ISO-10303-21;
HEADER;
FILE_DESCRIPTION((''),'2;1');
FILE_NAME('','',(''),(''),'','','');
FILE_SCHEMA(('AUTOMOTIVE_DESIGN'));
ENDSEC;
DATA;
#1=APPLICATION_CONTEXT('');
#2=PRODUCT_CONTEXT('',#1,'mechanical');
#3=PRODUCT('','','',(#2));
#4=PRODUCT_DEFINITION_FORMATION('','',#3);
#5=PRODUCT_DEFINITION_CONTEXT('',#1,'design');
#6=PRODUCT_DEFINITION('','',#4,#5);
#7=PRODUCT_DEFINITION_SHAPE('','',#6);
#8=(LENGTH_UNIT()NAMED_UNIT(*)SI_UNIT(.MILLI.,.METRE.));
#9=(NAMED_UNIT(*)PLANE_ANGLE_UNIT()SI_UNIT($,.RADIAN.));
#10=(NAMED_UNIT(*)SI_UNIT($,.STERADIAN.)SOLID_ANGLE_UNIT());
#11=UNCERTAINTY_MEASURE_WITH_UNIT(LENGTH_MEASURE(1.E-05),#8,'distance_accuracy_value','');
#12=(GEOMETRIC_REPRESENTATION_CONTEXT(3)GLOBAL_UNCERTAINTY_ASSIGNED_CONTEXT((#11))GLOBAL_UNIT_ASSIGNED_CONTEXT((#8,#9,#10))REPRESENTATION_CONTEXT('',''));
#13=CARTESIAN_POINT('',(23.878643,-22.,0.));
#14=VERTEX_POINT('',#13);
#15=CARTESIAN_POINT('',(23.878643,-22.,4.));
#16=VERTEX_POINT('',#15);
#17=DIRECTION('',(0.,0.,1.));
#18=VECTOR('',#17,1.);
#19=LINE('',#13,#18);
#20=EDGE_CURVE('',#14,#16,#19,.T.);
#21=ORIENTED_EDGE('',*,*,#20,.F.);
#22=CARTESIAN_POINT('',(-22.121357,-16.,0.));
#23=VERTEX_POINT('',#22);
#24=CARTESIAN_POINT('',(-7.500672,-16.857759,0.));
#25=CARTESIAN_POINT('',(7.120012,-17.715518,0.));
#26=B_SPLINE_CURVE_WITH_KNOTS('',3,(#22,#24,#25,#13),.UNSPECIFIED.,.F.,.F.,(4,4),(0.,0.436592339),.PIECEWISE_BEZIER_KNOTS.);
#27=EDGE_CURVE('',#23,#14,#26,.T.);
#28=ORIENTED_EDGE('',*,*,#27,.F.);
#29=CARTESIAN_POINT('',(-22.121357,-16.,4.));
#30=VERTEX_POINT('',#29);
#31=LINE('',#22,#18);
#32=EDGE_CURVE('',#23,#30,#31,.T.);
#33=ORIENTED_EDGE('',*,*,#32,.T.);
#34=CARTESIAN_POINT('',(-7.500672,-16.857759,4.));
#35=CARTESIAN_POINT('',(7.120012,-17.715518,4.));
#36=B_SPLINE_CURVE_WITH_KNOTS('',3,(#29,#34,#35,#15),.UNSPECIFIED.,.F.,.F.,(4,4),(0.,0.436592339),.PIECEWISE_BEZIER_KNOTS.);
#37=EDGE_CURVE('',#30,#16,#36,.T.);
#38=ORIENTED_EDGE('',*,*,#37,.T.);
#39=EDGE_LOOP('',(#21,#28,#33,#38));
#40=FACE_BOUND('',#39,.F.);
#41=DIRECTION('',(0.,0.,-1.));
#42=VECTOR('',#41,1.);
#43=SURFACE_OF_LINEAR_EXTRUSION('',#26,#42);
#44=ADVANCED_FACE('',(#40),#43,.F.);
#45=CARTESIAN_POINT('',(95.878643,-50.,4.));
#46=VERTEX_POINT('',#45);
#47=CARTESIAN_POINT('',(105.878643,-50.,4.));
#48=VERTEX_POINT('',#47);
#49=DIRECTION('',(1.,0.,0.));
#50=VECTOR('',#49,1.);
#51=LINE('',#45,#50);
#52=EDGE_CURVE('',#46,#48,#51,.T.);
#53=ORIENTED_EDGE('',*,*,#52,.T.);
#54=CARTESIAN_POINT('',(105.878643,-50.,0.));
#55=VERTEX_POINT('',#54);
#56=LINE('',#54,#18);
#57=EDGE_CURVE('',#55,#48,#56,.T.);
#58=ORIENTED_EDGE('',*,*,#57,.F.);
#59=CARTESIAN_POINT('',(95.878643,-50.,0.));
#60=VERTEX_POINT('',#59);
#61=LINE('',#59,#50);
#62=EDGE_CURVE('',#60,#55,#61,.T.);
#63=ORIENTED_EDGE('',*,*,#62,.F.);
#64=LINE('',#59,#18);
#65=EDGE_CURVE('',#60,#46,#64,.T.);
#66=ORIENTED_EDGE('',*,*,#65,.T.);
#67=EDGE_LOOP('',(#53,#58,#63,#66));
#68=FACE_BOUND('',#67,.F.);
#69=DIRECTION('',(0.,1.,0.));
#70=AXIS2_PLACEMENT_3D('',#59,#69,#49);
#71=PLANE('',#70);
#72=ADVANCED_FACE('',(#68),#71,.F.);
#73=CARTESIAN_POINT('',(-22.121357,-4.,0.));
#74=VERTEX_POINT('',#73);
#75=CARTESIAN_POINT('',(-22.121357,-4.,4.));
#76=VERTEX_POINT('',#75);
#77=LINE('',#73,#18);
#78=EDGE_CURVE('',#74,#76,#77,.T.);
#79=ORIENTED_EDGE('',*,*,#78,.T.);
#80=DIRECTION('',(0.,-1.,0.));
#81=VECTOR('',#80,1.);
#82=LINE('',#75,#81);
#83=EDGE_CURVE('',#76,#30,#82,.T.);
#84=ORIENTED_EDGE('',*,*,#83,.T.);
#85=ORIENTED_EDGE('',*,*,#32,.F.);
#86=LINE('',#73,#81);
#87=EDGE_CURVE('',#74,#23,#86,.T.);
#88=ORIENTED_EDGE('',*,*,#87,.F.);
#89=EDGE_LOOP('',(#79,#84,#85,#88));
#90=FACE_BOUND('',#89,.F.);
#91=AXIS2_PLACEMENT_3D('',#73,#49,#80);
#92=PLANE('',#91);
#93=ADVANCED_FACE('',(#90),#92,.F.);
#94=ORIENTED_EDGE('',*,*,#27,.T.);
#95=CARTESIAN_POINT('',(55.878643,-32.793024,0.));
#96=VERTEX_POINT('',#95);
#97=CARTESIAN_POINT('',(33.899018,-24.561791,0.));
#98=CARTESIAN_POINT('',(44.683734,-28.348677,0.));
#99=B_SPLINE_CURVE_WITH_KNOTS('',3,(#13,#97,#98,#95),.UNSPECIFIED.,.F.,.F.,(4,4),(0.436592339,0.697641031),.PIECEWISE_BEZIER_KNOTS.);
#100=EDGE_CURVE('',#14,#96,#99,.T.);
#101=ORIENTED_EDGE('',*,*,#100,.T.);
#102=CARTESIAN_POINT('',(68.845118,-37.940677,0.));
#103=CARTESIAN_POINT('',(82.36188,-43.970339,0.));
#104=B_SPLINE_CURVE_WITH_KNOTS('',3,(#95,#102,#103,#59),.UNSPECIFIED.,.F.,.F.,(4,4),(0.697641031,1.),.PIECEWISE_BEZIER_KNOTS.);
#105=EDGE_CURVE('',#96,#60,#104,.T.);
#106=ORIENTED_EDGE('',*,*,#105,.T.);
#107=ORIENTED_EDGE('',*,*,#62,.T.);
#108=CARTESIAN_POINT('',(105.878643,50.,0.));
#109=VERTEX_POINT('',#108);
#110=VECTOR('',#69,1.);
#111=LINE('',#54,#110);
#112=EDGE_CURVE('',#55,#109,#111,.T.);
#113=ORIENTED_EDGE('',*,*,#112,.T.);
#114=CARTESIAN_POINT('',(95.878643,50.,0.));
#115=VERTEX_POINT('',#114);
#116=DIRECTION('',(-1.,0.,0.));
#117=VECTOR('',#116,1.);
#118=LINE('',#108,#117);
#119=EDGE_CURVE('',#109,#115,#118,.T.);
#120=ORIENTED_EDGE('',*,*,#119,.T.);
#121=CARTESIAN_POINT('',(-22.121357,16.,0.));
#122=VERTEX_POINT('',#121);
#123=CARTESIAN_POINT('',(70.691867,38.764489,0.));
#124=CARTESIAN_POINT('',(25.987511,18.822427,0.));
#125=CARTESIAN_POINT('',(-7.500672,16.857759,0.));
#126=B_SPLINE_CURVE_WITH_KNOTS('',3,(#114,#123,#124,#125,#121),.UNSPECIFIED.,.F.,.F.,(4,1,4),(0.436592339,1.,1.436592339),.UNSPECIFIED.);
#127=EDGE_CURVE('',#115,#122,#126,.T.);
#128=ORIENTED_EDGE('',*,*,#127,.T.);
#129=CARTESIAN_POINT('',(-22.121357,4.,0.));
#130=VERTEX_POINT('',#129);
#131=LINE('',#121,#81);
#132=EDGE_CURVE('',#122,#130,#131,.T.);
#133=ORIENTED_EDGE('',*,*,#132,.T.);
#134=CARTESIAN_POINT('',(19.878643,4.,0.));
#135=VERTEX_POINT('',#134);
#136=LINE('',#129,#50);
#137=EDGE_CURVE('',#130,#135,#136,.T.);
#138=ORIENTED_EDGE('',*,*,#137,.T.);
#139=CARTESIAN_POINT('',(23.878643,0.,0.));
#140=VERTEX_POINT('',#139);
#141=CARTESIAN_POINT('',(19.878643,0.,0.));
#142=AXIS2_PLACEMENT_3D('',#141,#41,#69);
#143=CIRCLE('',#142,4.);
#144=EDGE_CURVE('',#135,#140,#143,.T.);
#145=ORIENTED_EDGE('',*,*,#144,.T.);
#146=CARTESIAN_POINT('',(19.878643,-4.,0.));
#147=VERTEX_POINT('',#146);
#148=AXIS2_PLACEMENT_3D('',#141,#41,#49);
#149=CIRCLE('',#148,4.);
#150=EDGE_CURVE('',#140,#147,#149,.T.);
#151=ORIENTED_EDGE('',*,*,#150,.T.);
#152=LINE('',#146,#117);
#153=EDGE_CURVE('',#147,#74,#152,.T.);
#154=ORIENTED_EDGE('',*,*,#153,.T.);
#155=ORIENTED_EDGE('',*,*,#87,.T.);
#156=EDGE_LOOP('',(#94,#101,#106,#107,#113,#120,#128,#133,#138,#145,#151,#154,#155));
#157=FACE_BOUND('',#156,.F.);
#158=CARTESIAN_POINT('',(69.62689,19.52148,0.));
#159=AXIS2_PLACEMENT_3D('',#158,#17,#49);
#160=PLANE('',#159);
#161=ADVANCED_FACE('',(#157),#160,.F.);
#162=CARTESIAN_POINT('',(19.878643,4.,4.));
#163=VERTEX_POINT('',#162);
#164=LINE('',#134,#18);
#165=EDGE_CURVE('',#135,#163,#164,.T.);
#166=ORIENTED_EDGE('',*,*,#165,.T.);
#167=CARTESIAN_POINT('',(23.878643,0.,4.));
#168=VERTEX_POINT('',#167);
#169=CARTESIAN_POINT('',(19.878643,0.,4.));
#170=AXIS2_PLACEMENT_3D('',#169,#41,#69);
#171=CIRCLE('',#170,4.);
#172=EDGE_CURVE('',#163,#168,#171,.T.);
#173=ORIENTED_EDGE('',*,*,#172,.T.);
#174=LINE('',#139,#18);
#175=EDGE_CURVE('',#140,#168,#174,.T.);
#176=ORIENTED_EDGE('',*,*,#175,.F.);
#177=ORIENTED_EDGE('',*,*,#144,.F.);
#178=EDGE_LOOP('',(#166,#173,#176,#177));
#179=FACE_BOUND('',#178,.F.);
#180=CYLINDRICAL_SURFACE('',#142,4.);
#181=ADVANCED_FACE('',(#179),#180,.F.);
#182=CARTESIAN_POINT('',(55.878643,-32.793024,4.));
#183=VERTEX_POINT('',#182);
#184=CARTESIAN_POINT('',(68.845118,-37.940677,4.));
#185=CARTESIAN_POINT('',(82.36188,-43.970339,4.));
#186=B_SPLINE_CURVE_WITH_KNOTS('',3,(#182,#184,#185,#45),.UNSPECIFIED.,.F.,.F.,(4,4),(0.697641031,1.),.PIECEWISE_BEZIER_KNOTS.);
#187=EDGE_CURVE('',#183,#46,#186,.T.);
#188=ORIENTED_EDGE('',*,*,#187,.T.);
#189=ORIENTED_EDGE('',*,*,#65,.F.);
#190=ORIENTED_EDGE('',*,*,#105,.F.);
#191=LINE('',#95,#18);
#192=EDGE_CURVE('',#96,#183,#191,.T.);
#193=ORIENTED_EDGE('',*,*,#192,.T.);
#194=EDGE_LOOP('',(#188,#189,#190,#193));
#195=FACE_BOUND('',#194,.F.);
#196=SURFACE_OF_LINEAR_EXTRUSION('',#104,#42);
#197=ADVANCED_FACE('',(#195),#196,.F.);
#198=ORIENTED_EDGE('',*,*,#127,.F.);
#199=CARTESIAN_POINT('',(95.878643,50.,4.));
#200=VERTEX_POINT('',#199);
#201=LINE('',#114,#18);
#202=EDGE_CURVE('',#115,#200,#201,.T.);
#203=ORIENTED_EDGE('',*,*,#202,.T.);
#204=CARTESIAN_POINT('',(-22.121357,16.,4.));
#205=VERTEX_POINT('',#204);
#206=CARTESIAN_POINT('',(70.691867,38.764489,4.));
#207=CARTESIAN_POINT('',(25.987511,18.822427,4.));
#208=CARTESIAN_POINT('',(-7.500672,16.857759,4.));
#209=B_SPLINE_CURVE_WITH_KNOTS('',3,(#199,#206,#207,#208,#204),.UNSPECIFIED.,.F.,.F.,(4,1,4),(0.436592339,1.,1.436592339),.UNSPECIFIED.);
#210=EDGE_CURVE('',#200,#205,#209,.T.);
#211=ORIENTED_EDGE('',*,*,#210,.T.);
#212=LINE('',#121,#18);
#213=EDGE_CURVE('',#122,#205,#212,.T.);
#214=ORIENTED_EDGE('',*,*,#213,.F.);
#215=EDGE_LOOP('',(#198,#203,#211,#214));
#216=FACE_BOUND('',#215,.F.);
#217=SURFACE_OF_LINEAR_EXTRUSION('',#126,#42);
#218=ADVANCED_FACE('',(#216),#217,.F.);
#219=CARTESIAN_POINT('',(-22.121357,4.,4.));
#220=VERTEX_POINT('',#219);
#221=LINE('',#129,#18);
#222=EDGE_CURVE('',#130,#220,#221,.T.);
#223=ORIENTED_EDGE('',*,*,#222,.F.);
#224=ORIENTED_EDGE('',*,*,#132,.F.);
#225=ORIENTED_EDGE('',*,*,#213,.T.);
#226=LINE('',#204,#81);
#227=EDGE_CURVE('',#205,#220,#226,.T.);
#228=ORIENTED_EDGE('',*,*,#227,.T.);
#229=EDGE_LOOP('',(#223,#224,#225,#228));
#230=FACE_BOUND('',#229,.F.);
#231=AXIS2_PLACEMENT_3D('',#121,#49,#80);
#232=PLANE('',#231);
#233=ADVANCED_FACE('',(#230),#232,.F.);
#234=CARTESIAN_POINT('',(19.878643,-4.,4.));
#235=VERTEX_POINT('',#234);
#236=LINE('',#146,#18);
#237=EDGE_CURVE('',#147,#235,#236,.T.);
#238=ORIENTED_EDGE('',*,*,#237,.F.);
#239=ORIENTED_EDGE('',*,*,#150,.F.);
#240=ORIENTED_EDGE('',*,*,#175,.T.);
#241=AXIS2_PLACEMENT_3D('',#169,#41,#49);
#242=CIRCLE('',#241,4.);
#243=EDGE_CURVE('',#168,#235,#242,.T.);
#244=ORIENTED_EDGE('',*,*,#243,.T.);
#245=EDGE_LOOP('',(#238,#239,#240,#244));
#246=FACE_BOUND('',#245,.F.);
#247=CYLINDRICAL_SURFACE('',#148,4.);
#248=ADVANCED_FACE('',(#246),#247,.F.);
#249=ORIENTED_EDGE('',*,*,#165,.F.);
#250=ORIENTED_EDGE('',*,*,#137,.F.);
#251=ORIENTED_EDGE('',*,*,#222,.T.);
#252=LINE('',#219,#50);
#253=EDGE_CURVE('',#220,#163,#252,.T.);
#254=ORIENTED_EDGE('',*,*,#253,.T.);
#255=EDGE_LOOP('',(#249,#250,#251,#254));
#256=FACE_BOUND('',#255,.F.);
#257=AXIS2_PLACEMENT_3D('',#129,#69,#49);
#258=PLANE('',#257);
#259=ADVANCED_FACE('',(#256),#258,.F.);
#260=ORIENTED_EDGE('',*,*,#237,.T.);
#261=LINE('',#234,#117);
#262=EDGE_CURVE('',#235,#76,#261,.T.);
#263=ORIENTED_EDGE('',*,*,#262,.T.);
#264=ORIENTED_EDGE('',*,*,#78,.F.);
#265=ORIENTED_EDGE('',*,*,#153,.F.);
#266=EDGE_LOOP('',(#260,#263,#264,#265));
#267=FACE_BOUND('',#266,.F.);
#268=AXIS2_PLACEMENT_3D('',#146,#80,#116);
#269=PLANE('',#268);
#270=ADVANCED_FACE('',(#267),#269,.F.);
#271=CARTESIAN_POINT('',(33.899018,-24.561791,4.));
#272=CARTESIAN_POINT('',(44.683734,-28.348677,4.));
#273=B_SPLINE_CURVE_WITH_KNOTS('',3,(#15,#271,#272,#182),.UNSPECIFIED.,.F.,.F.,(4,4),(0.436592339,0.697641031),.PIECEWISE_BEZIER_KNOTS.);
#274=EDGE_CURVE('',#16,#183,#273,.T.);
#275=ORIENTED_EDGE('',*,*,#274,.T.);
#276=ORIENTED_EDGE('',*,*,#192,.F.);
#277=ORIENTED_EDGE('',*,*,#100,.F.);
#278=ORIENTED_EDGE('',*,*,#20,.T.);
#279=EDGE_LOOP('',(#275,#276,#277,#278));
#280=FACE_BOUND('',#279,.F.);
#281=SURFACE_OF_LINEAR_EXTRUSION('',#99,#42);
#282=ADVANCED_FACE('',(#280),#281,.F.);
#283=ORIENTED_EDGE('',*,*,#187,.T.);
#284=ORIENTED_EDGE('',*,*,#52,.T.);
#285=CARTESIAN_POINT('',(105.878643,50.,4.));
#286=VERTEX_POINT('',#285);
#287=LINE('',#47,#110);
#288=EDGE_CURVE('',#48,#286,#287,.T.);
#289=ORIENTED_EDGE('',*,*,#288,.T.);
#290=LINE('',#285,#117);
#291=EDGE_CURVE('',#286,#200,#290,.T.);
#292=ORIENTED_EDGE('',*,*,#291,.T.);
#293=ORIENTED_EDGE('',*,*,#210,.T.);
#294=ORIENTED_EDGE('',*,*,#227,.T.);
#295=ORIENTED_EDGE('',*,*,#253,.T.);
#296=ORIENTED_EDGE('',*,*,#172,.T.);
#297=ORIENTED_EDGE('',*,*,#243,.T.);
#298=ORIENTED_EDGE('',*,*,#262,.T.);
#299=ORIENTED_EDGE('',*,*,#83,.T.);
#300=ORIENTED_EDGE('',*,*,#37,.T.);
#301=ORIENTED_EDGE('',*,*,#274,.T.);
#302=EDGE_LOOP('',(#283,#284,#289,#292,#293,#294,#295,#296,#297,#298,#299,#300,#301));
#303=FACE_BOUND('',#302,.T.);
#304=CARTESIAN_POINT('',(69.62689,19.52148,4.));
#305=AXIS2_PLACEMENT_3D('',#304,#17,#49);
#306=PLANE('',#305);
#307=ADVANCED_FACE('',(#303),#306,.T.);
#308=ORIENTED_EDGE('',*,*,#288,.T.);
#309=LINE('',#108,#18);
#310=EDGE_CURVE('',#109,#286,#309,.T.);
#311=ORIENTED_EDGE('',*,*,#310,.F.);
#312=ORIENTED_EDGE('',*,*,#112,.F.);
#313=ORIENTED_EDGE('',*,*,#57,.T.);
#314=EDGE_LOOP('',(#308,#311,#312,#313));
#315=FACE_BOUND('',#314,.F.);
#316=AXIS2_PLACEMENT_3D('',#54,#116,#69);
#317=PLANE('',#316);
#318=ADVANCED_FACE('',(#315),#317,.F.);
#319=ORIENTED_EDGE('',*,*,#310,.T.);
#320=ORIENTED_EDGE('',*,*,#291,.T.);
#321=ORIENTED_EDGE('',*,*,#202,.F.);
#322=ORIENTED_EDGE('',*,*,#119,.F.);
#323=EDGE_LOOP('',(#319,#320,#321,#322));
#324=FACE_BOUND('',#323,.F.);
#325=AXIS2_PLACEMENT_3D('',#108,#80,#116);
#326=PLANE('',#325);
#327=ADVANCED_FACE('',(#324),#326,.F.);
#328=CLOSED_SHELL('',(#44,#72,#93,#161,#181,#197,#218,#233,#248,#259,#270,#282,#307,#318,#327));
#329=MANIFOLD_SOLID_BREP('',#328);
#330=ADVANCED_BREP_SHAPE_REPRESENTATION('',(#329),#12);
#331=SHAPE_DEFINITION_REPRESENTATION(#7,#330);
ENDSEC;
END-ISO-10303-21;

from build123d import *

# Parameters (mm, degrees)
F1_DEPTH = 4


with BuildPart() as f1:
    # F0 (on Top) → F1 (new body)
    with BuildSketch(Plane.XY):
        with BuildLine():
            Line((105.8786432892, 0), (105.8786432892, 50))
            Line((105.8786432892, 50), (95.8786432892, 50))
            add(Edge.make_bspline(
                [(23.8786432892, 22), (45.505090499, 27.5289789288), (70.6918668941, 38.7644894644), (95.8786432892, 50)],
                knots=[0.4365923392, 0.4365923392, 0.4365923392, 0.4365923392, 1, 1, 1, 1], degree=3))
            Line((23.8786432892, 22), (23.8786432892, 4))
            Line((23.8786432892, 4), (23.8786432892, 0))
            Line((23.8786432892, 0), (105.8786432892, 0))
        make_face()
        with BuildLine():
            Line((105.8786432892, -26.7174374312), (105.8786432892, 0))
            Line((105.8786432892, 0), (23.8786432892, 0))
            Line((23.8786432892, 0), (23.8786432892, -4))
            Line((23.8786432892, -4), (23.8786432892, -22))
            add(Edge.make_bspline(
                [(23.8786432892, -22), (33.8990177867, -24.5617910754), (44.6837342437, -28.3486771698), (55.8786432892, -32.7930240913)],
                knots=[0.4365923392, 0.4365923392, 0.4365923392, 0.4365923392, 0.6976410312, 0.6976410312, 0.6976410312, 0.6976410312], degree=3))
            Line((55.8786432892, -32.7930240913), (55.8786432892, -26.7174374312))
            Line((55.8786432892, -26.7174374312), (105.8786432892, -26.7174374312))
        make_face()
        with BuildLine():
            Line((105.8786432892, -50), (105.8786432892, -26.7174374312))
            Line((105.8786432892, -26.7174374312), (55.8786432892, -26.7174374312))
            Line((55.8786432892, -26.7174374312), (55.8786432892, -32.7930240913))
            add(Edge.make_bspline(
                [(55.8786432892, -32.7930240913), (68.8451175885, -37.9406773594), (82.3618804388, -43.9703386797), (95.8786432892, -50)],
                knots=[0.6976410312, 0.6976410312, 0.6976410312, 0.6976410312, 1, 1, 1, 1], degree=3))
            Line((95.8786432892, -50), (105.8786432892, -50))
        make_face()
        with BuildLine():
            ThreePointArc((19.8786432892, 4), (22.707070414, 2.8284271247), (23.8786432892, 0))
            Line((23.8786432892, 0), (23.8786432892, 4))
            Line((23.8786432892, 4), (23.8786432892, 22))
            add(Edge.make_bspline(
                [(-22.1213567108, 16), (-7.5006722886, 16.8577591216), (7.1200121336, 17.7155182432), (23.8786432892, 22)],
                knots=[0, 0, 0, 0, 0.4365923392, 0.4365923392, 0.4365923392, 0.4365923392], degree=3))
            Line((-22.1213567108, 16), (-22.1213567108, 4))
            Line((-22.1213567108, 4), (19.8786432892, 4))
        make_face()
        with BuildLine():
            Line((23.8786432892, -4), (23.8786432892, 0))
            ThreePointArc((23.8786432892, 0), (22.707070414, -2.8284271247), (19.8786432892, -4))
            Line((19.8786432892, -4), (-22.1213567108, -4))
            Line((-22.1213567108, -4), (-22.1213567108, -16))
            add(Edge.make_bspline(
                [(-22.1213567108, -16), (-7.5006722886, -16.8577591216), (7.1200121336, -17.7155182432), (23.8786432892, -22)],
                knots=[0, 0, 0, 0, 0.4365923392, 0.4365923392, 0.4365923392, 0.4365923392], degree=3))
            Line((23.8786432892, -22), (23.8786432892, -4))
        make_face()
    extrude(amount=F1_DEPTH)


solid = f1.part
